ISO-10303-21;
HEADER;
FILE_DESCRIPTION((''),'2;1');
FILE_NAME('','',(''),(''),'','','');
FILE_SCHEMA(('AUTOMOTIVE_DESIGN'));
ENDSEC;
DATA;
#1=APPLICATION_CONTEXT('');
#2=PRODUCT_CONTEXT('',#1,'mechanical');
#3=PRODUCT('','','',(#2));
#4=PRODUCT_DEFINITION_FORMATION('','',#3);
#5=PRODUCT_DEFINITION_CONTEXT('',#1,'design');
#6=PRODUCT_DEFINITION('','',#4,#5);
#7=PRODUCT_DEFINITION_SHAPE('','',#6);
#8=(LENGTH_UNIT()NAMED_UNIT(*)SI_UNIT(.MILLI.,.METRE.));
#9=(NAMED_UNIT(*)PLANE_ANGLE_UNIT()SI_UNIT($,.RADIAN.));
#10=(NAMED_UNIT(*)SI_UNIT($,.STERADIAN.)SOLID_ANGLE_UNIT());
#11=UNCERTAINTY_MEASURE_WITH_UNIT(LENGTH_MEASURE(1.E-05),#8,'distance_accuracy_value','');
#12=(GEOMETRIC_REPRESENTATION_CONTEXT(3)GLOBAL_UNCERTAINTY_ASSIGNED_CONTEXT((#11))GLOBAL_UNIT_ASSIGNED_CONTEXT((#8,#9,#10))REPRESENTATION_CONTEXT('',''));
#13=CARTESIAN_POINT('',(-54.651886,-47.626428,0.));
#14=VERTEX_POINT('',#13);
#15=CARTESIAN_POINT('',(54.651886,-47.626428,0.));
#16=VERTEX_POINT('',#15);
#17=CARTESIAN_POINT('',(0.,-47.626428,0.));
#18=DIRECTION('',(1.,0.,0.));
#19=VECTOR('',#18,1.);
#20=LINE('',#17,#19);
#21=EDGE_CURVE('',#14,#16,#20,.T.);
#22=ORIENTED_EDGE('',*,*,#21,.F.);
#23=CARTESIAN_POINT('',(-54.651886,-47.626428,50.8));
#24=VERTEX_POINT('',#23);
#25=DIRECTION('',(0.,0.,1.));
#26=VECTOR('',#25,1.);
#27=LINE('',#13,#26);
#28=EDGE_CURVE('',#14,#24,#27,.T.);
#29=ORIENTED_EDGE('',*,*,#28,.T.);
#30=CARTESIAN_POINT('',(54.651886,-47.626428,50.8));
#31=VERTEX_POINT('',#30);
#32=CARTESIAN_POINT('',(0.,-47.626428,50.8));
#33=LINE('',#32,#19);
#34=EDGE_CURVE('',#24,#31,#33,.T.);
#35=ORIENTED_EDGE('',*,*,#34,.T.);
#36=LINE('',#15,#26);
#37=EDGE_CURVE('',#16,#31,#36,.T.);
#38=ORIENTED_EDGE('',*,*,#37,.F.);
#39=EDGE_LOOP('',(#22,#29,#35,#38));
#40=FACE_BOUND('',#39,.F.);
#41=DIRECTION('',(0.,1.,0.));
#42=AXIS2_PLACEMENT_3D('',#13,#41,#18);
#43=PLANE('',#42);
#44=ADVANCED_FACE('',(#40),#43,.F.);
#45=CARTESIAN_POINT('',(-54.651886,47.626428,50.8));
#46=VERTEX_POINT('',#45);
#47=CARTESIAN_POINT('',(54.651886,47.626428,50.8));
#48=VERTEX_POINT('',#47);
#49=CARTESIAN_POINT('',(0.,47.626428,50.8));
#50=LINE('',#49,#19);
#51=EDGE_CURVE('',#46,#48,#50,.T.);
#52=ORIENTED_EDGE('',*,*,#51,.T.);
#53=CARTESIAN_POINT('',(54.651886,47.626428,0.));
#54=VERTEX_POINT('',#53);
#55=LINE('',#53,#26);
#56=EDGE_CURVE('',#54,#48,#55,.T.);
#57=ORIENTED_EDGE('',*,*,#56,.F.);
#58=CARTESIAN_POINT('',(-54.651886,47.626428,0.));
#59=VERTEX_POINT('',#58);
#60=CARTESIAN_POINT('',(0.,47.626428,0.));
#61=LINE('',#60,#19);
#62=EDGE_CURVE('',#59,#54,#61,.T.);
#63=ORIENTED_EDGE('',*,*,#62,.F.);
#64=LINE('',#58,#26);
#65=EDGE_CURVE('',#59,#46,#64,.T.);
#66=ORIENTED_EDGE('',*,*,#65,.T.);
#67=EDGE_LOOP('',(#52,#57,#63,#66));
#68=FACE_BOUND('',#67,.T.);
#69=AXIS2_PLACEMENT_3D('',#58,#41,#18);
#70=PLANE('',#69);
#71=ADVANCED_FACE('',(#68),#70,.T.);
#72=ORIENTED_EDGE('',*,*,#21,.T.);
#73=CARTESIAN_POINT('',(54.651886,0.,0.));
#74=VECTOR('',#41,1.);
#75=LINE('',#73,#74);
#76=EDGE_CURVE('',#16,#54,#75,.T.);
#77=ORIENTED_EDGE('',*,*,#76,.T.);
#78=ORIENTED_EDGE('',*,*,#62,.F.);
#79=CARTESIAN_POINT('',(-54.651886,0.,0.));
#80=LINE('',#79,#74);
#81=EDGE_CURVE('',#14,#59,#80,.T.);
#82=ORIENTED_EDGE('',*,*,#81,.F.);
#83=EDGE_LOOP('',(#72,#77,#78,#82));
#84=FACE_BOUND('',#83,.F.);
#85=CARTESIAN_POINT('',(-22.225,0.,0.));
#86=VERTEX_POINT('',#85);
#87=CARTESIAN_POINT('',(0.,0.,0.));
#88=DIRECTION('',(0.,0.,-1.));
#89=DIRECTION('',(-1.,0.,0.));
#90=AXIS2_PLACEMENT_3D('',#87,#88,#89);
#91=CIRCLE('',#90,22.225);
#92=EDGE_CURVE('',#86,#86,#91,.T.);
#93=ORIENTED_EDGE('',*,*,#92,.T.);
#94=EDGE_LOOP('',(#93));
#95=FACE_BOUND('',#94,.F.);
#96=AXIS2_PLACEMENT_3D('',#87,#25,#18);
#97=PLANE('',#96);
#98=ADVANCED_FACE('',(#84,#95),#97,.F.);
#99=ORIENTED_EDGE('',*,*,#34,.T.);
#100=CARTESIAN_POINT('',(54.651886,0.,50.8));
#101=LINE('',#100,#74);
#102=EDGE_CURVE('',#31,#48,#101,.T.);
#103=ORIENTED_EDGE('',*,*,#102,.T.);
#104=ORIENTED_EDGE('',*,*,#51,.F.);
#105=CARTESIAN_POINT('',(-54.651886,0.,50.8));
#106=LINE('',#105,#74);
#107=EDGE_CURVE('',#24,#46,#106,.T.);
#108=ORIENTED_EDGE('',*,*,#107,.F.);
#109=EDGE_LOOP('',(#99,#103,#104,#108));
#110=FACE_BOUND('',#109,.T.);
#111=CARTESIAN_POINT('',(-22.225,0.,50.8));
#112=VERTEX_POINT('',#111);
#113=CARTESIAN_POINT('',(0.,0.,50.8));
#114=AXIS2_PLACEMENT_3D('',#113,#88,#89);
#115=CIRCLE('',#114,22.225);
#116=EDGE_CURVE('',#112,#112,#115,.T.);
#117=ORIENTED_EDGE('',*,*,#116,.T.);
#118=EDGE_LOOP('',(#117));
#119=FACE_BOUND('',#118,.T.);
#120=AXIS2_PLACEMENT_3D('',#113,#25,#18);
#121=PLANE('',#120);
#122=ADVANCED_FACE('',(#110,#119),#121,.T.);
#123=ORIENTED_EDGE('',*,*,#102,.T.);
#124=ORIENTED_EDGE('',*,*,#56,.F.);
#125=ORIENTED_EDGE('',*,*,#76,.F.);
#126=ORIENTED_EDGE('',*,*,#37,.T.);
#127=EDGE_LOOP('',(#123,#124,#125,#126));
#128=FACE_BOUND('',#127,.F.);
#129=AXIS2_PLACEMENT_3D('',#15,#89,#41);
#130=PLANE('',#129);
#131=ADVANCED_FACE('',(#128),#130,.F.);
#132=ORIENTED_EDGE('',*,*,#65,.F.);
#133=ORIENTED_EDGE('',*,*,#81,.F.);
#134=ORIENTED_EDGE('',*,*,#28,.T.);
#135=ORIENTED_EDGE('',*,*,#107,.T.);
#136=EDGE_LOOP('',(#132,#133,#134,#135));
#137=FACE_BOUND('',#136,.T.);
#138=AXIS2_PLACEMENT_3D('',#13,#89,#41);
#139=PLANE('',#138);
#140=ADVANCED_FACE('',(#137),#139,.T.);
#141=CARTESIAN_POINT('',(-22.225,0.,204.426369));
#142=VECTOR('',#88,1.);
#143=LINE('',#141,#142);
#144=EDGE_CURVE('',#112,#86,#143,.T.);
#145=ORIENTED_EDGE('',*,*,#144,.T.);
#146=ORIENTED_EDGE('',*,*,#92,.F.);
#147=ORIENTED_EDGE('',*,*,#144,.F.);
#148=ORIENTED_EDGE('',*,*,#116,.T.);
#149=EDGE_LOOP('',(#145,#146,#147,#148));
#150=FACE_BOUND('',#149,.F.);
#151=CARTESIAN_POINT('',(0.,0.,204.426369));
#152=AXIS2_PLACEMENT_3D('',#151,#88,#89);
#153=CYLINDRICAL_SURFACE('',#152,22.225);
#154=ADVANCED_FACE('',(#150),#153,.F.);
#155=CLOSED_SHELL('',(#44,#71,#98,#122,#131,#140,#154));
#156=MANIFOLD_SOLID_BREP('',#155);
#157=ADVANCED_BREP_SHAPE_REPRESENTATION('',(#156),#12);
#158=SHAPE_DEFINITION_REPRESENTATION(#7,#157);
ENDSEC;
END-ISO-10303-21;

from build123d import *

# Parameters (mm, degrees)
F0_W     = 109.3037724495
F0_H     = 95.2528566122
F1_DEPTH = 50.8
F3_D     = 44.45


with BuildPart() as f1:
    # F0 (on Top) → F1 (new body)
    with BuildSketch(Plane.XY):
        Rectangle(F0_W, F0_H)
    extrude(amount=F1_DEPTH)

    # F3 (through all)
    with Locations(Plane.XY.offset(50.8)):
        with Locations((0, 0)):
            Hole(F3_D / 2)


solid = f1.part
